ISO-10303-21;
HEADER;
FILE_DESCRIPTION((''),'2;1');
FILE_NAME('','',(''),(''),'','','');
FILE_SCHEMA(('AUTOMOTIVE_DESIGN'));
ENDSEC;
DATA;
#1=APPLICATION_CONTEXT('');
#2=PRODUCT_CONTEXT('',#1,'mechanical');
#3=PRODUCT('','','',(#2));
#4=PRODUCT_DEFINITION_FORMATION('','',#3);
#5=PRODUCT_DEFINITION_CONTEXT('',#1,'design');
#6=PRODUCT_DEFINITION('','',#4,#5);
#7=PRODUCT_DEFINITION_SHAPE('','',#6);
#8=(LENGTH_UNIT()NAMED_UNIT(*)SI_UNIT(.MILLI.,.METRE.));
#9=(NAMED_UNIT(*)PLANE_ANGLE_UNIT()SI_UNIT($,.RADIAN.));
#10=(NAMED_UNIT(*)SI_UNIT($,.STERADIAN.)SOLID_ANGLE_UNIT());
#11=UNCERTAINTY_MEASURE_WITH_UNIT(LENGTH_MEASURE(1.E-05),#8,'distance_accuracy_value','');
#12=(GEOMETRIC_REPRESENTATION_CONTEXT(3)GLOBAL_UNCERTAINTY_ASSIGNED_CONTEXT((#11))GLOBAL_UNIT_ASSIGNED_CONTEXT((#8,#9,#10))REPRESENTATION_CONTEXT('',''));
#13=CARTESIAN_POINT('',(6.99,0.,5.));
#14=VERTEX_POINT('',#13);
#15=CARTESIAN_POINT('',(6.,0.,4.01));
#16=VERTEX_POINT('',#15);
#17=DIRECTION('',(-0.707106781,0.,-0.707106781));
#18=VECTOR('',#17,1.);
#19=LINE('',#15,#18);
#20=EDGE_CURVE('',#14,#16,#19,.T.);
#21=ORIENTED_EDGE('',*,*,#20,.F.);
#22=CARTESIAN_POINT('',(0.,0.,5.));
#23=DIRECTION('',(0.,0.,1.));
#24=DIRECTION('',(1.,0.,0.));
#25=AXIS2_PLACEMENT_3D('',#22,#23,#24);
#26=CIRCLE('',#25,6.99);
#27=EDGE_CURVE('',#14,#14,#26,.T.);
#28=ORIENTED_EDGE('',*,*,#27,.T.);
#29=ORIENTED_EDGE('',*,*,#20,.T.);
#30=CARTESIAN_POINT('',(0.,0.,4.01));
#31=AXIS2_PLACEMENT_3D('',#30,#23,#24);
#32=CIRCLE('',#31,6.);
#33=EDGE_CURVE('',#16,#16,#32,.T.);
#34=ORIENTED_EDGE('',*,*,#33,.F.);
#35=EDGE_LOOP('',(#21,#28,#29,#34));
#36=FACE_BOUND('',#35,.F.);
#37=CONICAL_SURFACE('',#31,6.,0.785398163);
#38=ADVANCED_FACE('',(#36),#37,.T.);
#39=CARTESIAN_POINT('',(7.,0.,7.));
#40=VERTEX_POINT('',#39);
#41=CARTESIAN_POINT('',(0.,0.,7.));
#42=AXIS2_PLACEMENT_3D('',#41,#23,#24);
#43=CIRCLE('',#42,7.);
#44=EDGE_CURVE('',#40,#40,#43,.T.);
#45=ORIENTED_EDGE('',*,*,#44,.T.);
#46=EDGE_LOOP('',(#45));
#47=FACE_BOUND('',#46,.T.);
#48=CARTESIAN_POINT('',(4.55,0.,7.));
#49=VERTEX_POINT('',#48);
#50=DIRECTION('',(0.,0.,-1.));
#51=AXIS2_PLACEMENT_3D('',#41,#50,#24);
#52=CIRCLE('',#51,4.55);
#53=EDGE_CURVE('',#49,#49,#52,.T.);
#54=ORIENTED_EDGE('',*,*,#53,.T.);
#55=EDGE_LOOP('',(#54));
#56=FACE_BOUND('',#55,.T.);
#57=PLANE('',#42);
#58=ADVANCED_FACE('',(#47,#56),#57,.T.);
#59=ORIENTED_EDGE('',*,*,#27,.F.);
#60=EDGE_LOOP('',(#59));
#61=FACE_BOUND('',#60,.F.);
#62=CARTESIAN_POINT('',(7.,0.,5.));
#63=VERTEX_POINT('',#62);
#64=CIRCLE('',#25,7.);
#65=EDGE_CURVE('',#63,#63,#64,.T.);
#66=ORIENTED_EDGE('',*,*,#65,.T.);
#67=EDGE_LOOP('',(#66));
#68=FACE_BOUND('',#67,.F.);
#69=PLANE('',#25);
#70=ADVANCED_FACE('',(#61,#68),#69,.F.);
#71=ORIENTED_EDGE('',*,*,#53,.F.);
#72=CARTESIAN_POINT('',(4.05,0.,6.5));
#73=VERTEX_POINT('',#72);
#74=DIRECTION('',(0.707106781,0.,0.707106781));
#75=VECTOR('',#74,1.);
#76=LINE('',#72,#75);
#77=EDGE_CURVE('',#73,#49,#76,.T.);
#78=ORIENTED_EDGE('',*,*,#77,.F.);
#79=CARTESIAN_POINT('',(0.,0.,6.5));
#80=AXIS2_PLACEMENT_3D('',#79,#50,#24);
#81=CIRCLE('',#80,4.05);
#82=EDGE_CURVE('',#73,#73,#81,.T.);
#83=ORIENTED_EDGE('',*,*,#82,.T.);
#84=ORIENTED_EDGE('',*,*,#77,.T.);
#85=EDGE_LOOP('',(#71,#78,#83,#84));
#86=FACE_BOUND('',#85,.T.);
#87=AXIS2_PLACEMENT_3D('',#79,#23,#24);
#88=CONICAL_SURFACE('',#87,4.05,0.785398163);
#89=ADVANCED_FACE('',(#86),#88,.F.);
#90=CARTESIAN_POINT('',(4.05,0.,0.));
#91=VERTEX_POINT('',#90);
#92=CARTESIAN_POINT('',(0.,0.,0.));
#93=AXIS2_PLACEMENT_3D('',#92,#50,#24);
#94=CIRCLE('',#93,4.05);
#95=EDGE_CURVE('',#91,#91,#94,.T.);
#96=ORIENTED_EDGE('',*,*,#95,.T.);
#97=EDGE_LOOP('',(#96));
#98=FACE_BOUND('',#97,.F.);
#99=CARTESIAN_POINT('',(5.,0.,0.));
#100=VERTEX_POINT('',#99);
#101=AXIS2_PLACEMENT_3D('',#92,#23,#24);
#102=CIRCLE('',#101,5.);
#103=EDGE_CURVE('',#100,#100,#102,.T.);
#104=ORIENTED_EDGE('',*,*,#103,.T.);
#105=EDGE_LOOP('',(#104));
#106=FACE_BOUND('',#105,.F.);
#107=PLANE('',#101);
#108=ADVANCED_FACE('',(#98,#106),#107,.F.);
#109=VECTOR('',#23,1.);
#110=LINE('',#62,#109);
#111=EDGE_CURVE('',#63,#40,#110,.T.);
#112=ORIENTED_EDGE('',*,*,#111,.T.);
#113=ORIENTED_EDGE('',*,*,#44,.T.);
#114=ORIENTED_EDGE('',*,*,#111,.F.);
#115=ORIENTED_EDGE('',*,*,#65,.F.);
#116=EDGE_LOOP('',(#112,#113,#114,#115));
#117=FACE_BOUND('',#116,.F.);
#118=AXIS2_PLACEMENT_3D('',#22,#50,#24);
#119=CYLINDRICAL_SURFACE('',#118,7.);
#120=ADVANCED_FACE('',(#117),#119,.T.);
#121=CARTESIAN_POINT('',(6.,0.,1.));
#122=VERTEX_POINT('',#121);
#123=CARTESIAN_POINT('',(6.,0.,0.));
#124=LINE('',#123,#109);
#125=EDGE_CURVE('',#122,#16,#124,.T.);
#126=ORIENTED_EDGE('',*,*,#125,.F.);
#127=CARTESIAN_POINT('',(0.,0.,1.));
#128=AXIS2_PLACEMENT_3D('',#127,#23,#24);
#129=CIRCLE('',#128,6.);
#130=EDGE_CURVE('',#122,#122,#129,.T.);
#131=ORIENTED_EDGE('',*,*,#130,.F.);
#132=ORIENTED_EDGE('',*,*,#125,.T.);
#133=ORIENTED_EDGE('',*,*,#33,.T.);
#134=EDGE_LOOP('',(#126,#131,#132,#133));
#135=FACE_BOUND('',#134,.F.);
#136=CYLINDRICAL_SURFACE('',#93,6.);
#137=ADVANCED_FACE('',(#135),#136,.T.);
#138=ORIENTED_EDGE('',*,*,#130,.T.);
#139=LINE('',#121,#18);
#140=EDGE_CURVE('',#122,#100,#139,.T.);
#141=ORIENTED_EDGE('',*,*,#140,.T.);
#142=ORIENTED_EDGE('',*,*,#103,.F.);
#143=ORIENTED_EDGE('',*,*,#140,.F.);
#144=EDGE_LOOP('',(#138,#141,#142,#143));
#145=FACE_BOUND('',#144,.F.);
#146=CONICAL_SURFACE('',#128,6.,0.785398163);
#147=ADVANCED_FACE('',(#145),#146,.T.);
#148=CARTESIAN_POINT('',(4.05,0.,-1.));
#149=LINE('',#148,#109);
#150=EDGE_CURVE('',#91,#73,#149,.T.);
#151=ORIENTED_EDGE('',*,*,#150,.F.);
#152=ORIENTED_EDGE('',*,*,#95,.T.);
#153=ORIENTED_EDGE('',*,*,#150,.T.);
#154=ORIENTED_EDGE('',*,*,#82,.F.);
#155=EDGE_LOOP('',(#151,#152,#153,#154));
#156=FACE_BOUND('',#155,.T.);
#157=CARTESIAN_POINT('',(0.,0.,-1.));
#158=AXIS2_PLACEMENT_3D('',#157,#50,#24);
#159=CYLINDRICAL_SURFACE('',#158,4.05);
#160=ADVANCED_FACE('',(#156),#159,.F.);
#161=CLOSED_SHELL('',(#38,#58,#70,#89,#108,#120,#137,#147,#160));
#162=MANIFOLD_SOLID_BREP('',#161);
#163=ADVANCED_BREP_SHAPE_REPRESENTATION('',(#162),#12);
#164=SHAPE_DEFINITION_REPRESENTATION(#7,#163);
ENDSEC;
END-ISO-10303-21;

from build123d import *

# Parameters (mm, degrees)
CYLINDER001_R     = 4.05
CYLINDER001_DEPTH = 28
CYLINDER_R        = 6
CYLINDER_DEPTH    = 5
SKETCH_R          = 7
PAD_DEPTH         = 2
CHAMFER_SIZE      = 0.99
CHAMFER001_SIZE   = 1
CHAMFER002_SIZE   = 0.5


with BuildPart() as cilindro001:
    # Cylinder001 → Cylinder001 (new body)
    with BuildSketch(Plane.XY.offset(-1)):
        Circle(CYLINDER001_R)
    extrude(amount=CYLINDER001_DEPTH)


with BuildPart() as chamfer002:
    # Cylinder → Cylinder (new body)
    with BuildSketch(Plane.XY):
        Circle(CYLINDER_R)
    extrude(amount=CYLINDER_DEPTH)

    # Sketch → Pad (new body)
    with BuildSketch(Plane.XY.offset(5)):
        Circle(SKETCH_R)
    extrude(amount=PAD_DEPTH)

    # Cut: cut Cilindro001
    add(cilindro001.part, mode=Mode.SUBTRACT)

    # Chamfer
    chamfer_edges = [chamfer002.edges().sort_by_distance(p)[0] for p in [
        (-6, 0, 5),
    ]]
    chamfer(chamfer_edges, length=CHAMFER_SIZE)

    # Chamfer001
    chamfer001_edges = [chamfer002.edges().sort_by_distance(p)[0] for p in [
        (-6, 0, 0),
    ]]
    chamfer(chamfer001_edges, length=CHAMFER001_SIZE)

    # Chamfer002
    chamfer002_edges = [chamfer002.edges().sort_by_distance(p)[0] for p in [
        (-4.05, 0, 7),
    ]]
    chamfer(chamfer002_edges, length=CHAMFER002_SIZE)


solid = chamfer002.part
